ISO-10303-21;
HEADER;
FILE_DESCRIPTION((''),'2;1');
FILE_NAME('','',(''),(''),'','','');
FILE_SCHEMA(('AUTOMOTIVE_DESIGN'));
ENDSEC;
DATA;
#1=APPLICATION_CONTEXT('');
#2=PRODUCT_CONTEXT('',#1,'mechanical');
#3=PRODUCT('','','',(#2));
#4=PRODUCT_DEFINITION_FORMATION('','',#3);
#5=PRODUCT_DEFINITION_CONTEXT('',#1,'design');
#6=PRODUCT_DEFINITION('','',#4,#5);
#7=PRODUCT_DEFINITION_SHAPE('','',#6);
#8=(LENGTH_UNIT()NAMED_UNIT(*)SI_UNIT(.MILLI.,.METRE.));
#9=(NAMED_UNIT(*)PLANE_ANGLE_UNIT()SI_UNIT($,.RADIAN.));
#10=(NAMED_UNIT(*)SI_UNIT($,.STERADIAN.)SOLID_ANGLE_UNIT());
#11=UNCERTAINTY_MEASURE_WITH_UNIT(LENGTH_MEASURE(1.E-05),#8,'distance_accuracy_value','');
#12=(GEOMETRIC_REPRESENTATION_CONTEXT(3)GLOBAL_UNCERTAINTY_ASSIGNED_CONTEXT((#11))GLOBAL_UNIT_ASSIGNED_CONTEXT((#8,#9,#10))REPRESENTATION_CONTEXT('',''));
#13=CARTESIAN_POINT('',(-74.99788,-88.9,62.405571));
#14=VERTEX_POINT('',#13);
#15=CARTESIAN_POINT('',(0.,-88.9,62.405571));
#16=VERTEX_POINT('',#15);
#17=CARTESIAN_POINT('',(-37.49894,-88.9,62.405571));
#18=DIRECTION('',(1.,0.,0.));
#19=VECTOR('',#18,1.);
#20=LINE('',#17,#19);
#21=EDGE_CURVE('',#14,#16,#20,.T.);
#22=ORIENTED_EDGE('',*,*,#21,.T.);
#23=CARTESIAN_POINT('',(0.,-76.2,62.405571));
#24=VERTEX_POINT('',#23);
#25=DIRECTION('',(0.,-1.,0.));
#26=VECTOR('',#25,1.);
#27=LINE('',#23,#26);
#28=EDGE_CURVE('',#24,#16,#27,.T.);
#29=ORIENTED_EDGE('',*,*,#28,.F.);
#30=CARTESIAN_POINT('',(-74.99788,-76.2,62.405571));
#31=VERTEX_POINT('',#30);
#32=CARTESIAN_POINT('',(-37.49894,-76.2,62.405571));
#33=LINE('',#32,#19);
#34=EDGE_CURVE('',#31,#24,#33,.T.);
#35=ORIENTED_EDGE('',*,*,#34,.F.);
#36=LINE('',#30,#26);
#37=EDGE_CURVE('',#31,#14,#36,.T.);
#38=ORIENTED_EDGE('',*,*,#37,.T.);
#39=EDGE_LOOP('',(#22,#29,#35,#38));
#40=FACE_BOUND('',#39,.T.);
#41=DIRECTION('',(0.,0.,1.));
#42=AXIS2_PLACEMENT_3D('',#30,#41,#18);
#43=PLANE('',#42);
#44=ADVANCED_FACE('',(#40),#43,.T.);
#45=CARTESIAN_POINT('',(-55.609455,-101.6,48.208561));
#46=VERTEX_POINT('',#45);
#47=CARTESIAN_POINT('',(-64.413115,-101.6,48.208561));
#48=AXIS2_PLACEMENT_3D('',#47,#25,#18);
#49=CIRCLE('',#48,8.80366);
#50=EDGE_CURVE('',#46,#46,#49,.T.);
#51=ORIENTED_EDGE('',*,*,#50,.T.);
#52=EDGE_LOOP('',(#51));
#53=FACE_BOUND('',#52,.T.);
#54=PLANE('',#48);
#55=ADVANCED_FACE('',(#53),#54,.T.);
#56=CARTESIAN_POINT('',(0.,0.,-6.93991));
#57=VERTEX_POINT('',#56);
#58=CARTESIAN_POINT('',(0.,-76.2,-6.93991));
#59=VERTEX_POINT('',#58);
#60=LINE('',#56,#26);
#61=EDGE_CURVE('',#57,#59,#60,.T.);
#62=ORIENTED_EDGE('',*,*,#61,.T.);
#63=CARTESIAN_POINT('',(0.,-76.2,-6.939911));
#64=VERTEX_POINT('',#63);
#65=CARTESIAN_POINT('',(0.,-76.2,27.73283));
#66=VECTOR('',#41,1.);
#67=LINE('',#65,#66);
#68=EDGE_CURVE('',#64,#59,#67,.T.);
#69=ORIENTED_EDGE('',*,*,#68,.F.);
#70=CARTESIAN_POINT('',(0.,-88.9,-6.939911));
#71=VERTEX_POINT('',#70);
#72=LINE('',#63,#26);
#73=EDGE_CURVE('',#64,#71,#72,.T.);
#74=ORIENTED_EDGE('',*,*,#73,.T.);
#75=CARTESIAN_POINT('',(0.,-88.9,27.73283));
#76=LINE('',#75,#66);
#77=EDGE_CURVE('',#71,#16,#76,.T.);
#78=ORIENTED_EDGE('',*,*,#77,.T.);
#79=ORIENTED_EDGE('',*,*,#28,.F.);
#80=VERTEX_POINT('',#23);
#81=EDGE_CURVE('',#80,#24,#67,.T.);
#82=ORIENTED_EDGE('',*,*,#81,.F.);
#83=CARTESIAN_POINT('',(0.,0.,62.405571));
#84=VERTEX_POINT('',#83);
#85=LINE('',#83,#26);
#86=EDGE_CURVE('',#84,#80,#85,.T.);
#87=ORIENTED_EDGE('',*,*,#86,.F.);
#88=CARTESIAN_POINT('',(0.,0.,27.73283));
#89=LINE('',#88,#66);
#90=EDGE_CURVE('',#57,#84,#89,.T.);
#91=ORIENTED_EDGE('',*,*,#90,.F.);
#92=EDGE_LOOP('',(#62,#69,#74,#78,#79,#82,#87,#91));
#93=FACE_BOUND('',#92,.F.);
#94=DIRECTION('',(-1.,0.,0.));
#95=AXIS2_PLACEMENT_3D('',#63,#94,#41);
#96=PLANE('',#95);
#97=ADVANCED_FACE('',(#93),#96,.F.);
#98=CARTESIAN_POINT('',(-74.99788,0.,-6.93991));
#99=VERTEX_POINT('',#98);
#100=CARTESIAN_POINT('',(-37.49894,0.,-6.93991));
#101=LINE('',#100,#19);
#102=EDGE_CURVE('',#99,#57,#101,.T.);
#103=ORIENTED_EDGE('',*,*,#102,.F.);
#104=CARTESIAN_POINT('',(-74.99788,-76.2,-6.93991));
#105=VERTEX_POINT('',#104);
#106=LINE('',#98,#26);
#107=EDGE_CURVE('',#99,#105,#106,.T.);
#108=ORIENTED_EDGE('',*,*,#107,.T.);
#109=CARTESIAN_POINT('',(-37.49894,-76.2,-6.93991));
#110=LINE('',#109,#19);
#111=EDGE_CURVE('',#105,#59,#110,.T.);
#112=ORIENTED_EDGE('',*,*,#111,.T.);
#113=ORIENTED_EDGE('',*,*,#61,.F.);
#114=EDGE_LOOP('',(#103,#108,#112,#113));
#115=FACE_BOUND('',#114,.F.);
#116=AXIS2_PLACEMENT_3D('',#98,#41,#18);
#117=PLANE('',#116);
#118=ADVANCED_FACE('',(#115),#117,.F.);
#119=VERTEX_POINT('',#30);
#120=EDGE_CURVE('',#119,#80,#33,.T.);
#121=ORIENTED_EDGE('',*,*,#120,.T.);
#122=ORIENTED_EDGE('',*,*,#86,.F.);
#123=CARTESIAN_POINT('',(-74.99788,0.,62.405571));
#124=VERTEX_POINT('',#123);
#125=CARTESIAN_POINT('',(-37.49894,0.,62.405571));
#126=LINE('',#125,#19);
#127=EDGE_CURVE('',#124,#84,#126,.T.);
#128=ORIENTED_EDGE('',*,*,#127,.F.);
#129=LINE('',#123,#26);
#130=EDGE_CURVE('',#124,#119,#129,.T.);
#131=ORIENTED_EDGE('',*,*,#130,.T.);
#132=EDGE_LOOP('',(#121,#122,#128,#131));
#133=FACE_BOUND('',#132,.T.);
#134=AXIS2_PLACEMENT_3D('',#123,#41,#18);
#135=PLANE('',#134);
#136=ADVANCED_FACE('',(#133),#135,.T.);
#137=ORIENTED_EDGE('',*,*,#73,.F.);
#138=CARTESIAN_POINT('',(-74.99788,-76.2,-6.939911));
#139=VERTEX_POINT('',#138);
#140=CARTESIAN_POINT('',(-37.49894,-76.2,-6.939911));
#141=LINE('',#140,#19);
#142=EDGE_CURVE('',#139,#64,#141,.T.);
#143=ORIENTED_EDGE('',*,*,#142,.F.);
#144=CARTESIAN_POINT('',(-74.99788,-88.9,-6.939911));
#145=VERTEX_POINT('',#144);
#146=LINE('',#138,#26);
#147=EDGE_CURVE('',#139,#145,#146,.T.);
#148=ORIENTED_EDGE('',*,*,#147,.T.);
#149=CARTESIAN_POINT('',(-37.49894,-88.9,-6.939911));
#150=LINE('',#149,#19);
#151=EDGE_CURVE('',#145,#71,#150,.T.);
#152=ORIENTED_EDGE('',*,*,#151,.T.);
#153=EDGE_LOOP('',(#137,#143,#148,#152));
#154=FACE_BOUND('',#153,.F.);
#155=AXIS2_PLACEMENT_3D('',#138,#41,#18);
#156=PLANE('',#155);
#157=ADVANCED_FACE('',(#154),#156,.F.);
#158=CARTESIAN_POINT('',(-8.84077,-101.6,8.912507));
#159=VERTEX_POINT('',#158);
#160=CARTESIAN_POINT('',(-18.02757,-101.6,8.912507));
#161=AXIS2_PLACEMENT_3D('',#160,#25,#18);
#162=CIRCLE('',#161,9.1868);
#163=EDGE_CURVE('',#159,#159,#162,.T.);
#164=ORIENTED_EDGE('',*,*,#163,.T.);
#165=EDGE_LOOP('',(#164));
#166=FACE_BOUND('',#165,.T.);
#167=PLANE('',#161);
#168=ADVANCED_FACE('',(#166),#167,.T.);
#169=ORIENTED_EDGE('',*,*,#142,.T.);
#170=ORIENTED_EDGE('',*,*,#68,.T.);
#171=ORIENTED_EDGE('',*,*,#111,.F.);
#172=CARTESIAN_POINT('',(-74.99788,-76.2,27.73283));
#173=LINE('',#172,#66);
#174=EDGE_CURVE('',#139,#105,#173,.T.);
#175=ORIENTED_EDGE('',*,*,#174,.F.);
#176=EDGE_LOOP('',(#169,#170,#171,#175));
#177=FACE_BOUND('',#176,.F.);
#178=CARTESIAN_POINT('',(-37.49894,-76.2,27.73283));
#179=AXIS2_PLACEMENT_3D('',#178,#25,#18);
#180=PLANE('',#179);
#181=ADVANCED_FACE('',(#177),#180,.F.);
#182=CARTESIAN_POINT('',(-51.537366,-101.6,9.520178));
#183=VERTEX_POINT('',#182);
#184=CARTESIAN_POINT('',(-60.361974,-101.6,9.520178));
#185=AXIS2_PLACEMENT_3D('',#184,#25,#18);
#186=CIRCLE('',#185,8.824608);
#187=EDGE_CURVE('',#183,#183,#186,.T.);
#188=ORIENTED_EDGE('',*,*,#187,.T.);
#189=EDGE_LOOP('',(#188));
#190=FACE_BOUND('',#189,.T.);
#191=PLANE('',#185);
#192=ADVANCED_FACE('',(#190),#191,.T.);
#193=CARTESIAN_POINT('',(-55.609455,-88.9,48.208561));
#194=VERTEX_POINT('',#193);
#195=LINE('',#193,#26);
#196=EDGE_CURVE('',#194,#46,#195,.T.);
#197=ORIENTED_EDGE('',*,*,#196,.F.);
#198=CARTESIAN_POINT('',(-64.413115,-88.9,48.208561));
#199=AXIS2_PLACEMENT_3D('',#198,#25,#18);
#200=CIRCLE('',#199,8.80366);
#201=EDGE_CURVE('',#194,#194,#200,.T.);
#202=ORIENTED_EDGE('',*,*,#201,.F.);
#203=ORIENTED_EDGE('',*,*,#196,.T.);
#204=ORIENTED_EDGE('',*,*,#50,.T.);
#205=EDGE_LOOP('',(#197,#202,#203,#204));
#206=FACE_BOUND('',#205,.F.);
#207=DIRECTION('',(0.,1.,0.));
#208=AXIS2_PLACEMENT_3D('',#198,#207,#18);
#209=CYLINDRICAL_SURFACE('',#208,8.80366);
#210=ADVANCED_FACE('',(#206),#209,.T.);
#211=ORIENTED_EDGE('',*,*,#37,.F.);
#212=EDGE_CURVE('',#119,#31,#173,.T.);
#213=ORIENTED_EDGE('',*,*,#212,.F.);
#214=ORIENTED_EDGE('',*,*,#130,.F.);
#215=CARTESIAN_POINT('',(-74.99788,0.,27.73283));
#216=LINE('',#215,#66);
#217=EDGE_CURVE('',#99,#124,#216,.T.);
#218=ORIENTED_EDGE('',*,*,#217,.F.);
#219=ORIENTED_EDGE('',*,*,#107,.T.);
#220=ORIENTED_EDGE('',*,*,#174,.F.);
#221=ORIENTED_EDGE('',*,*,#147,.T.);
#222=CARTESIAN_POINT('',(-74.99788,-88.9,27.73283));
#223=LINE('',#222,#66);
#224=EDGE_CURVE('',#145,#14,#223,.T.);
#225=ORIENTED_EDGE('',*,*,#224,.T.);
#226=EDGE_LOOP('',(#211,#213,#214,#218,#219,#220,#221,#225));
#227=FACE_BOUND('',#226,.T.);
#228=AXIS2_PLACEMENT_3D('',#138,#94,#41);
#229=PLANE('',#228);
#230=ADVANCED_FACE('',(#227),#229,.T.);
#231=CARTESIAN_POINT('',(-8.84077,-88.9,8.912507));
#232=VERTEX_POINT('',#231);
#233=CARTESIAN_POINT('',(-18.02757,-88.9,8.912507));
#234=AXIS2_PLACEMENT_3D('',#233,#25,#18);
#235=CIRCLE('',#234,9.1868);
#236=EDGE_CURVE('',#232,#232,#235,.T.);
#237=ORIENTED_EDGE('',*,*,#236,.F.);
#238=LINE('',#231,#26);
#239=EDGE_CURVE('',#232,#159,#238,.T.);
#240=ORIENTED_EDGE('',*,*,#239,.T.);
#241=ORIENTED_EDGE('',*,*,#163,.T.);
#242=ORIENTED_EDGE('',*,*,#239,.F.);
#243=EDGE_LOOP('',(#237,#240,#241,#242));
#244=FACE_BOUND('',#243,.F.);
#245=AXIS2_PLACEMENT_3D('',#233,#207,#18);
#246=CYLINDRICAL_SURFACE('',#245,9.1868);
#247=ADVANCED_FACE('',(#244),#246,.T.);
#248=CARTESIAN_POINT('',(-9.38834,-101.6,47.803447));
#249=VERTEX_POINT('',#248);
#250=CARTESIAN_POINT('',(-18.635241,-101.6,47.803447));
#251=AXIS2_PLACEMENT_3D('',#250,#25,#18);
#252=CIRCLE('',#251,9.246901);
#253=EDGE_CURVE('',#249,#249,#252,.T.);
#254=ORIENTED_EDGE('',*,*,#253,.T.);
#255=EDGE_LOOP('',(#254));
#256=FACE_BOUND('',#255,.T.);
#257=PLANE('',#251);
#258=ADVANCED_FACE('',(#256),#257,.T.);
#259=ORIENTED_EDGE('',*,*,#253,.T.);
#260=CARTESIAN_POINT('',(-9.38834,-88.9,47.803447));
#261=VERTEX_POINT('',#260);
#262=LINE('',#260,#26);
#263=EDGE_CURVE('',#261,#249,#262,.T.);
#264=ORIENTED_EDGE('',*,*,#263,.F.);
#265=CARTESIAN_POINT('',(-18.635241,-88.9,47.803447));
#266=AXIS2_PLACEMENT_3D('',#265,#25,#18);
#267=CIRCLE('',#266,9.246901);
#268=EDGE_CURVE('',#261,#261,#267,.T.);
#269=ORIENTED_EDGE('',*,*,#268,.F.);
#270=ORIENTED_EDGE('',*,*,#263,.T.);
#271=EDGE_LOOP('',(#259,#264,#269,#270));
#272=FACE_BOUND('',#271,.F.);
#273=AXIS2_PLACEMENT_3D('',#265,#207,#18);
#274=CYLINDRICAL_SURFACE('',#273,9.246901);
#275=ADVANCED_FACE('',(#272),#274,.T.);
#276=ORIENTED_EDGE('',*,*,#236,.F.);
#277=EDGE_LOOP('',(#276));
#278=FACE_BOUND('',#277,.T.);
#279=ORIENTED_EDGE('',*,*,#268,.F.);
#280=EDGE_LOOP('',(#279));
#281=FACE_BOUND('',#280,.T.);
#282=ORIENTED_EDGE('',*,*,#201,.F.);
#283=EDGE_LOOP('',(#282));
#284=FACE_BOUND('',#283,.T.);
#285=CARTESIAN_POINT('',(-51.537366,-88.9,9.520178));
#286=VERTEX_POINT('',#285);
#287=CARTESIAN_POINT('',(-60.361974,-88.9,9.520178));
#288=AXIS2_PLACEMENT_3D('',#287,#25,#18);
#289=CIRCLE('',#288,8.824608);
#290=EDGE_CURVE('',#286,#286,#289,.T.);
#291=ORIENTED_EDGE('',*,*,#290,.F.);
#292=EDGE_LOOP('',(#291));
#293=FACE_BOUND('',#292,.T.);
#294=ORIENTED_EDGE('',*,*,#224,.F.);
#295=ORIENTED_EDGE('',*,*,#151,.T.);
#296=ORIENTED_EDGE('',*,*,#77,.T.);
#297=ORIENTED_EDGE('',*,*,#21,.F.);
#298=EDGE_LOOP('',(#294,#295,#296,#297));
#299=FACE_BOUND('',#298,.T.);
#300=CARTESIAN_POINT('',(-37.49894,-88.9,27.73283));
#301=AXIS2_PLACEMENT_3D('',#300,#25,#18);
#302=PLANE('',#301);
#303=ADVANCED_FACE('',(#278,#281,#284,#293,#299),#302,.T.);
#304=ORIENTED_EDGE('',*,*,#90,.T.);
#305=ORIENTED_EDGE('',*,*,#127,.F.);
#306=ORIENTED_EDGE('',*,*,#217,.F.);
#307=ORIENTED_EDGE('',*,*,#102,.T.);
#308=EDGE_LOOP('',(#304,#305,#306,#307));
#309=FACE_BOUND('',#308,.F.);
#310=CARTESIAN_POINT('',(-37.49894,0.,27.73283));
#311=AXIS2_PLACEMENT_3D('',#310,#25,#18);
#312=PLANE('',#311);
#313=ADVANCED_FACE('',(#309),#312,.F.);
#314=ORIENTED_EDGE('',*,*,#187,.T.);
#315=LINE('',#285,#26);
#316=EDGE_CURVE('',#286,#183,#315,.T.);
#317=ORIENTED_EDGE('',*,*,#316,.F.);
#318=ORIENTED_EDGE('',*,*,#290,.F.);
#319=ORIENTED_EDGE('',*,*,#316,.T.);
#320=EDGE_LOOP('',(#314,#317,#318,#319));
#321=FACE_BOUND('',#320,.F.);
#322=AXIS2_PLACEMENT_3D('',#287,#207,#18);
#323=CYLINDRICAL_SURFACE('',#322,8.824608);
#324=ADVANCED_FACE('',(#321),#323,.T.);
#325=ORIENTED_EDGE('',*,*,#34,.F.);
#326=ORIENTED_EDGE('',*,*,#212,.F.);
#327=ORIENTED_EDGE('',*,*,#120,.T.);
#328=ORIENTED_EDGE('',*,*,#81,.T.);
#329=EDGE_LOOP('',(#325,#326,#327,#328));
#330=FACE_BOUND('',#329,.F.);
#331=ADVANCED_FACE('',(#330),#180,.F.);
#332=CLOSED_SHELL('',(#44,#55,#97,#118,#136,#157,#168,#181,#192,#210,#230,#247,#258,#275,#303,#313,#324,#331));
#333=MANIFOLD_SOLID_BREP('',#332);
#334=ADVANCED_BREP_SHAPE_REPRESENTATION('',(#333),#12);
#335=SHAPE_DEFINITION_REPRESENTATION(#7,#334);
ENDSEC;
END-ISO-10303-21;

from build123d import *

# Parameters (mm, degrees)
F0_W      = 74.99788
F0_H      = 69.345481
F1_DEPTH  = 76.2
F2_R      = 9.124064
F3_DEPTH  = 12.7
F1_FACE_W = 74.99788
F1_FACE_H = 69.345482
F1_FACE_R = 9.124064
F4_DEPTH  = 12.7
F5_R      = 8.80366
F5_R_2    = 9.246901
F5_R_3    = 9.1868
F5_R_4    = 8.824608
F6_DEPTH  = 12.7


with BuildPart() as f1:
    # F0 (on Front) → F1 (new body)
    with BuildSketch(Plane.XZ):
        with Locations((-37.49894, 27.73283)):
            Rectangle(F0_W, F0_H)
    extrude(amount=F1_DEPTH)

    # F2 (on face) → F3 (join)
    with BuildSketch(Plane.XZ.offset(76.2)):
        with Locations((-60.767088, 47.398333)):
            Circle(F2_R)
    extrude(amount=F3_DEPTH)

    # F1_face (on face) → F4 (join)
    with BuildSketch(Plane(origin=(-37.49894, -76.2, 27.73283), x_dir=(1, 0, 0), z_dir=(0, -1, 0))):
        Rectangle(F1_FACE_W, F1_FACE_H)
        with Locations((-23.268148, 19.665502)):
            Circle(F1_FACE_R, mode=Mode.SUBTRACT)
    extrude(amount=F4_DEPTH)

    # F5 (on face) → F6 (join)
    with BuildSketch(Plane.XZ.offset(88.9)):
        with Locations((-64.413115, 48.208561)):
            Circle(F5_R)
        with Locations((-18.635241, 47.803447)):
            Circle(F5_R_2)
        with Locations((-18.02757, 8.912507)):
            Circle(F5_R_3)
        with Locations((-60.361974, 9.520178)):
            Circle(F5_R_4)
    extrude(amount=F6_DEPTH)


solid = f1.part
